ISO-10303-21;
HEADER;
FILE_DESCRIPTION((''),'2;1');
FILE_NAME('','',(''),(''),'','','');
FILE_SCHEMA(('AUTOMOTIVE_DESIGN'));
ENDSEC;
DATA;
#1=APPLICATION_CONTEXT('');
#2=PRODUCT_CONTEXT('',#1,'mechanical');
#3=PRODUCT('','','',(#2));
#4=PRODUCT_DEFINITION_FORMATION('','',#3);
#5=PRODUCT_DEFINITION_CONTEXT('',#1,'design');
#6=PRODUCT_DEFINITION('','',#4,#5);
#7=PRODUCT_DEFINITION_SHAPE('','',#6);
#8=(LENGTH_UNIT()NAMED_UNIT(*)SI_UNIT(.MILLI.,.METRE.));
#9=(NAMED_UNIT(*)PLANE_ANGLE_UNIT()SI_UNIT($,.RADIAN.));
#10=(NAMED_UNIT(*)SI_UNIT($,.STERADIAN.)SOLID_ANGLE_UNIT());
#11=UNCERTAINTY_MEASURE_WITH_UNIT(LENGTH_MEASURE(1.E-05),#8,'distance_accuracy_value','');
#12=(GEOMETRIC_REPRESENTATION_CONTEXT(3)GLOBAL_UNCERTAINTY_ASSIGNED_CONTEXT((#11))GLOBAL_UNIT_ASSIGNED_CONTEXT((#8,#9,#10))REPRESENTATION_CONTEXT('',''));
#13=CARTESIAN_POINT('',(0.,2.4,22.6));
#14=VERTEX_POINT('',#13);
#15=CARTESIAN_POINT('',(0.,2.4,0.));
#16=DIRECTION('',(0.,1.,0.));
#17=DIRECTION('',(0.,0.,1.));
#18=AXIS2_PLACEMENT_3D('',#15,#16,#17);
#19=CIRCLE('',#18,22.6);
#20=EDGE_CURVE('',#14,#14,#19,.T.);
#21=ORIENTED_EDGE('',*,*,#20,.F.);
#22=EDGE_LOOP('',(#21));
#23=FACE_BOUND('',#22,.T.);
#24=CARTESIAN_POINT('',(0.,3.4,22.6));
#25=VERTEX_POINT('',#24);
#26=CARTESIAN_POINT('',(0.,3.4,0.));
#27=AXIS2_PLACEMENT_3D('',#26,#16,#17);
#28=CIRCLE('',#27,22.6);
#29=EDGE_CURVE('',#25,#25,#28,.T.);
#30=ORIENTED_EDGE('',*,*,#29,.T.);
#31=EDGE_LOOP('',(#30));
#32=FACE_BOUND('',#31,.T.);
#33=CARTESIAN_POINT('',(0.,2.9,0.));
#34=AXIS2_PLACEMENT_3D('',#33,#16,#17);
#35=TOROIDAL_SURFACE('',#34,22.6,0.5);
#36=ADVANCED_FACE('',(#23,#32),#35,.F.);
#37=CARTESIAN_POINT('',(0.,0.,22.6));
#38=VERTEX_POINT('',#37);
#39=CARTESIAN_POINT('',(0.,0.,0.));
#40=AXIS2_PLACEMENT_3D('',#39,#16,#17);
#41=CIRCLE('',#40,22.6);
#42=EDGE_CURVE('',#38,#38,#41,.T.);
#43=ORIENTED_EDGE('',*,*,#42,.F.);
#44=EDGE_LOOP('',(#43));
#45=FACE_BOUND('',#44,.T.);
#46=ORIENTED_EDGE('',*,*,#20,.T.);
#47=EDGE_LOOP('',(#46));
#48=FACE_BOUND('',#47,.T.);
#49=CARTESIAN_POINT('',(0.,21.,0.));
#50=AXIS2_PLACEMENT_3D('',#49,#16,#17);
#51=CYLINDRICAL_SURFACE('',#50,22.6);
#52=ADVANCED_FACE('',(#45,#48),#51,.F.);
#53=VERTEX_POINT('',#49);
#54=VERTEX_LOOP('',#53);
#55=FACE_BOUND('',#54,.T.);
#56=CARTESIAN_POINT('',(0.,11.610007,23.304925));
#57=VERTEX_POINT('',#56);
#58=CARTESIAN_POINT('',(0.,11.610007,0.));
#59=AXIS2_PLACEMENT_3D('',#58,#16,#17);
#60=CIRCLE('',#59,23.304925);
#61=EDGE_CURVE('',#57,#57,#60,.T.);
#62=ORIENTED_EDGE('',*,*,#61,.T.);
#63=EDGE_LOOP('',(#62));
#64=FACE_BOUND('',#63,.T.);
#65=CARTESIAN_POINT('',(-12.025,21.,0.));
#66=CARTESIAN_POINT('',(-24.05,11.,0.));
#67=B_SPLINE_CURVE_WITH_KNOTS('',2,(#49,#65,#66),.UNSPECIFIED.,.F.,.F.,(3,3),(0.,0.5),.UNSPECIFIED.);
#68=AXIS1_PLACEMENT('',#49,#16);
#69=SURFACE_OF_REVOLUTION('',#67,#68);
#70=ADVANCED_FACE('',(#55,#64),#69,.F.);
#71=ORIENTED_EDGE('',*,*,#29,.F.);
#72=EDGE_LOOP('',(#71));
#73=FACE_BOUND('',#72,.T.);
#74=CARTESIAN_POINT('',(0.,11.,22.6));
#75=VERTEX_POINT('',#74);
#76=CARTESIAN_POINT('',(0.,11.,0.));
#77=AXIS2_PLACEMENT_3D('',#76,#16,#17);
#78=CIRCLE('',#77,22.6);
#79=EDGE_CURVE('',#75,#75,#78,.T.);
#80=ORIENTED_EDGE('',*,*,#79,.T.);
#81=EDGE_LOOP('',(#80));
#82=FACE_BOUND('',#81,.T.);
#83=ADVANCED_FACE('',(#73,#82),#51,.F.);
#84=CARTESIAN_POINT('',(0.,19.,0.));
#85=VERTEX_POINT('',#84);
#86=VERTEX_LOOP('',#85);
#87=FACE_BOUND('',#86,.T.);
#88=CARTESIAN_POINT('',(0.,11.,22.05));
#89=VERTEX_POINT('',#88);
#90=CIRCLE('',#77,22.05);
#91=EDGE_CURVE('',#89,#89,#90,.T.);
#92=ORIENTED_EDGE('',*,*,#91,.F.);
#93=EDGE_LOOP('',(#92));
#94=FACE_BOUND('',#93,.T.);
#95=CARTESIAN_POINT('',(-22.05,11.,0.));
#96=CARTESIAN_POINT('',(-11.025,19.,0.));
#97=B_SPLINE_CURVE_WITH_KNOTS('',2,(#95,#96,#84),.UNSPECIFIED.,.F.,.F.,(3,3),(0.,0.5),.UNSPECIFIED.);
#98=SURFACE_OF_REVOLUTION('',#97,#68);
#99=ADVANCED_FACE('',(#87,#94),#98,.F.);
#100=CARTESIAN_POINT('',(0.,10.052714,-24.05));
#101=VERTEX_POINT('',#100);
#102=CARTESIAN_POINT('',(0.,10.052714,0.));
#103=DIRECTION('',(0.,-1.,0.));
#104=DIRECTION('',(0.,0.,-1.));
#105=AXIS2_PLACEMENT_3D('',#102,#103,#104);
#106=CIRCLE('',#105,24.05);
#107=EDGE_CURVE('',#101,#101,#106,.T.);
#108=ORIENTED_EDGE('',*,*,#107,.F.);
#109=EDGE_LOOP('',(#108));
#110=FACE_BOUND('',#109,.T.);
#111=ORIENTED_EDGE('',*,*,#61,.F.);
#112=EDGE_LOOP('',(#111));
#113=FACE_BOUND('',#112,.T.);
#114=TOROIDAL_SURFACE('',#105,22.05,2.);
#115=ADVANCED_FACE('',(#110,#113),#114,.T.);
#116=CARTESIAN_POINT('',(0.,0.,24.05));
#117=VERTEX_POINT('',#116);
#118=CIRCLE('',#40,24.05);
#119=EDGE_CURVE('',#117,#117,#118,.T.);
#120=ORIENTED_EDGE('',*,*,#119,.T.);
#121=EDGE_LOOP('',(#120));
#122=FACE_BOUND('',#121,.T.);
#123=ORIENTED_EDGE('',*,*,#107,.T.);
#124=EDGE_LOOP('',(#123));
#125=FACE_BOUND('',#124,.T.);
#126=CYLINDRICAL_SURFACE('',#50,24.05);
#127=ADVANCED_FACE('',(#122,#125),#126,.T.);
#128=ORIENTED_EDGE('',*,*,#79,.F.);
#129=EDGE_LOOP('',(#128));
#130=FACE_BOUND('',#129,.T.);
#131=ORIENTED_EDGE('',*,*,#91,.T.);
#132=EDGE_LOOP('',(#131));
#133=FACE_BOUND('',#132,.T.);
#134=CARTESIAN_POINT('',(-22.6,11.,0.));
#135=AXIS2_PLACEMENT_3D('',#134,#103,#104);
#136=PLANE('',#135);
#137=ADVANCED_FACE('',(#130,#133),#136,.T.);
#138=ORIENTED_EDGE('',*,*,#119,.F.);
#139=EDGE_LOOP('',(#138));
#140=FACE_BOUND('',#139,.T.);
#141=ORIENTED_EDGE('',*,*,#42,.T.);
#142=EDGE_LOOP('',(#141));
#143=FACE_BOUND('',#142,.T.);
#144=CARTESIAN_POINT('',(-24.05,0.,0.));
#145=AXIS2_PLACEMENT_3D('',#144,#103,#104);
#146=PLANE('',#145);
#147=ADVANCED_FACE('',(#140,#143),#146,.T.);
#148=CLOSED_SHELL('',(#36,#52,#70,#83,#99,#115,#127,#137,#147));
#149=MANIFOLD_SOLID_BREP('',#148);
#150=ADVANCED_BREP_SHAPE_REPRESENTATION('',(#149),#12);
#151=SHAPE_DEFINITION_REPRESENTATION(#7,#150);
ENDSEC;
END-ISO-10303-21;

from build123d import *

# Parameters (mm, degrees)
FILLET1_R = 2


with BuildPart() as part:
    # Sketch1 → Revolve2 (revolve)
    with BuildSketch(Plane.XY, mode=Mode.PRIVATE) as revolve2_sk:
        with BuildLine():
            Line((-24.05, 0), (-22.6, 0))
            Line((-22.6, 0), (-22.6, 2.4))
            ThreePointArc((-22.6, 2.4), (-23.1, 2.9), (-22.6, 3.4))
            Line((-22.6, 3.4), (-22.6, 11))
            Line((-22.6, 11), (-22.05, 11))
            add(Edge.make_bspline(
                [(-22.05, 11), (-11.025, 19), (0, 19)],
                knots=[0, 0, 0, 0.5, 0.5, 0.5], degree=2))
            Line((0, 19), (0, 21))
            add(Edge.make_bspline(
                [(-24.05, 11), (-12.025, 21), (0, 21)],
                knots=[0, 0, 0, 0.5, 0.5, 0.5], degree=2))
            Line((-24.05, 11), (-24.05, 0))
        make_face()
    revolve(revolve2_sk.sketch.rotate(Axis((0, 21, 0), (0, -1, 0)), 270), axis=Axis((0, 21, 0), (0, -1, 0)))

    # Fillet1
    fillet1_edges = [part.edges().sort_by_distance(p)[0] for p in [
        (0, 11, -24.05),
    ]]
    fillet(fillet1_edges, radius=FILLET1_R)


solid = part.part
